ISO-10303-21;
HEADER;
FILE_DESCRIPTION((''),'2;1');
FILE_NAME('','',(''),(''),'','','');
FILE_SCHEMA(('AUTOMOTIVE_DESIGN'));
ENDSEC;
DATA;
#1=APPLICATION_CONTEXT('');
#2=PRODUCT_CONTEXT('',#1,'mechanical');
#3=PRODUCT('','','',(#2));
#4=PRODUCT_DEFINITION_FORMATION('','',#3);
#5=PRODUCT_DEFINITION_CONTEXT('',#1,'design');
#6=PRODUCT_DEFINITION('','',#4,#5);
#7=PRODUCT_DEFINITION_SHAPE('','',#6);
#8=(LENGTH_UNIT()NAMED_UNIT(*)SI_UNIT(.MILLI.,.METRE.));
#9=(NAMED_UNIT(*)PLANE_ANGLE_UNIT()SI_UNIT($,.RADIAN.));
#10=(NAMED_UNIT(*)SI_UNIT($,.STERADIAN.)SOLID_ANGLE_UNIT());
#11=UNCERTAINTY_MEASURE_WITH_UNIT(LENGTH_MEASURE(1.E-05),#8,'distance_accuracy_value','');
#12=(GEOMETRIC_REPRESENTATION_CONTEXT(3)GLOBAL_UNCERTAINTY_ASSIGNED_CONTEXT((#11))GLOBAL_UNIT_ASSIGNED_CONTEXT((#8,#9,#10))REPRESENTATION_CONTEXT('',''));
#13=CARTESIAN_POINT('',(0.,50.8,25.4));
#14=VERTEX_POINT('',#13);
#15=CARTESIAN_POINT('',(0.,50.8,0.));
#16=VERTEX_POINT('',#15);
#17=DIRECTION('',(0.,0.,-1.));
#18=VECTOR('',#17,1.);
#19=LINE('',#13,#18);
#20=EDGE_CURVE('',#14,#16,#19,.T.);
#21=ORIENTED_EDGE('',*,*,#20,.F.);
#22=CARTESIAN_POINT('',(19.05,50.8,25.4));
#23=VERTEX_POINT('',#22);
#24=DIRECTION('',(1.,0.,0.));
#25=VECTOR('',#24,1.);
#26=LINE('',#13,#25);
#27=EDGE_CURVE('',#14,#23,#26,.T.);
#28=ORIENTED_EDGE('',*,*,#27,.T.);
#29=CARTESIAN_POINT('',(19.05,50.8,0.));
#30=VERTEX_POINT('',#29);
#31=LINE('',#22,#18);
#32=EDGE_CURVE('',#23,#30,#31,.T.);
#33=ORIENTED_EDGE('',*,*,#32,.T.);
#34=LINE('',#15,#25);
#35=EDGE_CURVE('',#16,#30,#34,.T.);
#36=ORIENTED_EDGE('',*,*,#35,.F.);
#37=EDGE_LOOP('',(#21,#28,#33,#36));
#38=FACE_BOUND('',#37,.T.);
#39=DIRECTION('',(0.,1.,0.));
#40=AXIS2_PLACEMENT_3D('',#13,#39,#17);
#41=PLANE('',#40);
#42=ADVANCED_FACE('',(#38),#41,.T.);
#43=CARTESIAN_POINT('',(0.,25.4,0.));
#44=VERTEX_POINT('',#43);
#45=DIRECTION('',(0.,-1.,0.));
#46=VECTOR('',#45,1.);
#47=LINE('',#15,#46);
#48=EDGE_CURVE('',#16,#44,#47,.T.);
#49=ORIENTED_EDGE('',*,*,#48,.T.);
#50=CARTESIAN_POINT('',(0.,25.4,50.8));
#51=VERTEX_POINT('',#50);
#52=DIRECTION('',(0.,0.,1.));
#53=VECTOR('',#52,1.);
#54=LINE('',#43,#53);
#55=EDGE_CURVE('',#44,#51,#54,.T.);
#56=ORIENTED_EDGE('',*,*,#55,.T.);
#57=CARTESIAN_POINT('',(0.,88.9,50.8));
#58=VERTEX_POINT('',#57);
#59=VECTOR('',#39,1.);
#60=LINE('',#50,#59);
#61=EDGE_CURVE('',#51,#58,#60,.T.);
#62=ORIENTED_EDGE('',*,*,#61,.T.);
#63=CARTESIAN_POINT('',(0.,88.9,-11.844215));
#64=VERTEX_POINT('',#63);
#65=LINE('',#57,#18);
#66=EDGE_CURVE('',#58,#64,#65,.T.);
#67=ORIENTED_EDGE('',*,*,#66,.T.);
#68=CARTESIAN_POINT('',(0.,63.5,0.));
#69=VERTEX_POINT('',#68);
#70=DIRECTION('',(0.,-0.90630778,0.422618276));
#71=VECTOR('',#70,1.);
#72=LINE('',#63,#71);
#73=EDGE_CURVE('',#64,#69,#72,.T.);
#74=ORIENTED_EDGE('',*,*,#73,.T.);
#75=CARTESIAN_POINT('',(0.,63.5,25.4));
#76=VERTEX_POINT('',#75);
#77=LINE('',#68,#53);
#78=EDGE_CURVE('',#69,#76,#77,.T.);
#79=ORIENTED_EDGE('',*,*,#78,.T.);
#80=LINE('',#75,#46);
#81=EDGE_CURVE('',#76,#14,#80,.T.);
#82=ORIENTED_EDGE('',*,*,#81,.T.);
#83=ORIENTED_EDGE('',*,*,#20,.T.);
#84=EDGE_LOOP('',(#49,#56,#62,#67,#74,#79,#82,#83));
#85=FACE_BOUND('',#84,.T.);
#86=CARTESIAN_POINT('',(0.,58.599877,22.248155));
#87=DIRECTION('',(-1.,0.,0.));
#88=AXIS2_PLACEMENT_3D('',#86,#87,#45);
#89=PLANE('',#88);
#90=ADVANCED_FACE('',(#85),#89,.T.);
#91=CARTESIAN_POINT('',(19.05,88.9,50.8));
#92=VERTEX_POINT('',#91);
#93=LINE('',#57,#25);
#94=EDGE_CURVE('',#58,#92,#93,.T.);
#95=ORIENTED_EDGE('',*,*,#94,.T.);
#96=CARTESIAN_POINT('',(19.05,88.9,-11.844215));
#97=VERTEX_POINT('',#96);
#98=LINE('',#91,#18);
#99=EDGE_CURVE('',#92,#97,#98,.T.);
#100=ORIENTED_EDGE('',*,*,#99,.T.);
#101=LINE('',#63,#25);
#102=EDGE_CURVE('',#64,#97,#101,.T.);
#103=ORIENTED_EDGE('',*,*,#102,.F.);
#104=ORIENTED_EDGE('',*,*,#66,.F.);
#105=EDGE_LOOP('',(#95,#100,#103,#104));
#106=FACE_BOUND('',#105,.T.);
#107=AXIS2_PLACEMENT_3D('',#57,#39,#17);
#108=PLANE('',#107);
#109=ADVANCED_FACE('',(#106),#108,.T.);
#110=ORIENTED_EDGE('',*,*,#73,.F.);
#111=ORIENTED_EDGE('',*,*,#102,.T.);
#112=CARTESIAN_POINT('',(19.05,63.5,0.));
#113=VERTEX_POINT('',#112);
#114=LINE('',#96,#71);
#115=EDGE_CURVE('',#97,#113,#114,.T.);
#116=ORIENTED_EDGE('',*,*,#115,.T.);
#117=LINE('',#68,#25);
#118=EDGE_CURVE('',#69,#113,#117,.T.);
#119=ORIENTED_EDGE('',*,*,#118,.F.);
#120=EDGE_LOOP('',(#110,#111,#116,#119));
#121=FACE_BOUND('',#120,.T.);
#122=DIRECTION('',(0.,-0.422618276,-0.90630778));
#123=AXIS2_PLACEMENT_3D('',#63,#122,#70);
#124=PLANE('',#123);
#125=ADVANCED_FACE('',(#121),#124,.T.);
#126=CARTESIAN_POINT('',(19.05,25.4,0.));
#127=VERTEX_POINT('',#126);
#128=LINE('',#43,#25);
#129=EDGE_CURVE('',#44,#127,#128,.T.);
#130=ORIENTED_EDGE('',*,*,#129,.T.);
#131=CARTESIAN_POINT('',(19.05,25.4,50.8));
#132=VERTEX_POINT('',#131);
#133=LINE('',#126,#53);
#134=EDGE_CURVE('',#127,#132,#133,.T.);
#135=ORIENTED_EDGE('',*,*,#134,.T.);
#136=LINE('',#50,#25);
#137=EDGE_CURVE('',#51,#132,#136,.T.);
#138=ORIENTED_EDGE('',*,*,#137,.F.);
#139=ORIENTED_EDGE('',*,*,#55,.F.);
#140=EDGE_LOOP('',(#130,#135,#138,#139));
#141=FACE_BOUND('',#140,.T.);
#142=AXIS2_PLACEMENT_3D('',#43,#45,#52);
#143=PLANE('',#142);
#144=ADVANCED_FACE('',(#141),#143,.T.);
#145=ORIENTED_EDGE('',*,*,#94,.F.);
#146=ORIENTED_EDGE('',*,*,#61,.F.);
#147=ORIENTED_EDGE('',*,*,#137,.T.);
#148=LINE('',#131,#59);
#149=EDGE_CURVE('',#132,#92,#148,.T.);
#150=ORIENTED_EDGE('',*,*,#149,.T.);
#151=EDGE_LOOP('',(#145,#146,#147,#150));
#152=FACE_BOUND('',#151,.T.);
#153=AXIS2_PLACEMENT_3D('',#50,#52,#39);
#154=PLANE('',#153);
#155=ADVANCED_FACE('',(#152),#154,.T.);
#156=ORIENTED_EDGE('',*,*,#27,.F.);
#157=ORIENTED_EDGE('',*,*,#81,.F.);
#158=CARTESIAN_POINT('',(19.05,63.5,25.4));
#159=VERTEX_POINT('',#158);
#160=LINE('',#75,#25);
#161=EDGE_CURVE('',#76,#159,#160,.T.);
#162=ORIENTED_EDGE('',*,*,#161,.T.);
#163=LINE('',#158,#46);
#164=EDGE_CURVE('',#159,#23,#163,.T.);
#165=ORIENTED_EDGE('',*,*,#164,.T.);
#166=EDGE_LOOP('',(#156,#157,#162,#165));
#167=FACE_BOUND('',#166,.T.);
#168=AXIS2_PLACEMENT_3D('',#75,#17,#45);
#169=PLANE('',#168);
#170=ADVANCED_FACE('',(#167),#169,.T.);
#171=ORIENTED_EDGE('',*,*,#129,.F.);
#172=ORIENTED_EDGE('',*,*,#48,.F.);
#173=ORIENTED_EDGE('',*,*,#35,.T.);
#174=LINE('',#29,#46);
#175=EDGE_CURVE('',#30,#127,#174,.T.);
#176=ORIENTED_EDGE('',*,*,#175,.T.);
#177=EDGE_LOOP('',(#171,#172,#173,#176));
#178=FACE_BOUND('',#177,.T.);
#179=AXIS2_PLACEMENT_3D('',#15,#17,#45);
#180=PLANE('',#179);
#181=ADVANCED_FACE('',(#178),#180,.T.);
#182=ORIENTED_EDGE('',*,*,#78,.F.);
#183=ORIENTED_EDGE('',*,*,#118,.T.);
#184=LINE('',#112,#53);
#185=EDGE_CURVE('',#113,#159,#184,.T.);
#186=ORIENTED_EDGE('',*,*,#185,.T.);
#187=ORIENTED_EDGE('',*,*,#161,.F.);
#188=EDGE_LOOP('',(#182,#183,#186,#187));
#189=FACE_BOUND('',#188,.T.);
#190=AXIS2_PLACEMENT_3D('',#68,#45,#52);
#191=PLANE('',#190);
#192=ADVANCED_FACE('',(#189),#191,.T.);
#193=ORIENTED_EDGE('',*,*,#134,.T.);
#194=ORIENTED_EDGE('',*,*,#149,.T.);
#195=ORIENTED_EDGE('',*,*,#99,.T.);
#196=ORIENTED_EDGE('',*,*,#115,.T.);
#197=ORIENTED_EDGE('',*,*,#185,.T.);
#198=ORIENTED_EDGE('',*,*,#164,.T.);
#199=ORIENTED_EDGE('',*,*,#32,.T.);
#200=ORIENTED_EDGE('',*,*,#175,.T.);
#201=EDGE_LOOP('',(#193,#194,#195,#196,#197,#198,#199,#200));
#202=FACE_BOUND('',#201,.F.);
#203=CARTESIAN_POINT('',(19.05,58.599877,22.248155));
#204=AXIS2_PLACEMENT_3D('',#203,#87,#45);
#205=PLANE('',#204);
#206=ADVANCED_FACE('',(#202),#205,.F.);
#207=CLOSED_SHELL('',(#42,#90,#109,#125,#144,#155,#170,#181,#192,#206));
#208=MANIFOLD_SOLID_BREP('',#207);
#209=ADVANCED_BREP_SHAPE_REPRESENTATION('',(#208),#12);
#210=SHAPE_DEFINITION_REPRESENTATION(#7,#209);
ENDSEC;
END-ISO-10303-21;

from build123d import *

# Parameters (mm, degrees)
F1_DEPTH = 19.05
F2_ANGLE = 180


with BuildPart() as f1:
    # F0 (on Right) → F1 (new body)
    with BuildSketch(Plane.YZ):
        Polygon((0, 25.4), (0, 0), (25.4, 0), (25.4, 50.8), (0, 50.8), (-38.1, 50.8), (-38.1, -11.844215), (-12.7, 0), (-12.7, 25.4), align=None)
    extrude(amount=-F1_DEPTH)


with BuildPart() as f1_1:
    # F2: moved
    add(f1.part.rotate(Axis((0, 25.4, 25.4), (0, 0, 1)), F2_ANGLE))


solid = f1_1.part
